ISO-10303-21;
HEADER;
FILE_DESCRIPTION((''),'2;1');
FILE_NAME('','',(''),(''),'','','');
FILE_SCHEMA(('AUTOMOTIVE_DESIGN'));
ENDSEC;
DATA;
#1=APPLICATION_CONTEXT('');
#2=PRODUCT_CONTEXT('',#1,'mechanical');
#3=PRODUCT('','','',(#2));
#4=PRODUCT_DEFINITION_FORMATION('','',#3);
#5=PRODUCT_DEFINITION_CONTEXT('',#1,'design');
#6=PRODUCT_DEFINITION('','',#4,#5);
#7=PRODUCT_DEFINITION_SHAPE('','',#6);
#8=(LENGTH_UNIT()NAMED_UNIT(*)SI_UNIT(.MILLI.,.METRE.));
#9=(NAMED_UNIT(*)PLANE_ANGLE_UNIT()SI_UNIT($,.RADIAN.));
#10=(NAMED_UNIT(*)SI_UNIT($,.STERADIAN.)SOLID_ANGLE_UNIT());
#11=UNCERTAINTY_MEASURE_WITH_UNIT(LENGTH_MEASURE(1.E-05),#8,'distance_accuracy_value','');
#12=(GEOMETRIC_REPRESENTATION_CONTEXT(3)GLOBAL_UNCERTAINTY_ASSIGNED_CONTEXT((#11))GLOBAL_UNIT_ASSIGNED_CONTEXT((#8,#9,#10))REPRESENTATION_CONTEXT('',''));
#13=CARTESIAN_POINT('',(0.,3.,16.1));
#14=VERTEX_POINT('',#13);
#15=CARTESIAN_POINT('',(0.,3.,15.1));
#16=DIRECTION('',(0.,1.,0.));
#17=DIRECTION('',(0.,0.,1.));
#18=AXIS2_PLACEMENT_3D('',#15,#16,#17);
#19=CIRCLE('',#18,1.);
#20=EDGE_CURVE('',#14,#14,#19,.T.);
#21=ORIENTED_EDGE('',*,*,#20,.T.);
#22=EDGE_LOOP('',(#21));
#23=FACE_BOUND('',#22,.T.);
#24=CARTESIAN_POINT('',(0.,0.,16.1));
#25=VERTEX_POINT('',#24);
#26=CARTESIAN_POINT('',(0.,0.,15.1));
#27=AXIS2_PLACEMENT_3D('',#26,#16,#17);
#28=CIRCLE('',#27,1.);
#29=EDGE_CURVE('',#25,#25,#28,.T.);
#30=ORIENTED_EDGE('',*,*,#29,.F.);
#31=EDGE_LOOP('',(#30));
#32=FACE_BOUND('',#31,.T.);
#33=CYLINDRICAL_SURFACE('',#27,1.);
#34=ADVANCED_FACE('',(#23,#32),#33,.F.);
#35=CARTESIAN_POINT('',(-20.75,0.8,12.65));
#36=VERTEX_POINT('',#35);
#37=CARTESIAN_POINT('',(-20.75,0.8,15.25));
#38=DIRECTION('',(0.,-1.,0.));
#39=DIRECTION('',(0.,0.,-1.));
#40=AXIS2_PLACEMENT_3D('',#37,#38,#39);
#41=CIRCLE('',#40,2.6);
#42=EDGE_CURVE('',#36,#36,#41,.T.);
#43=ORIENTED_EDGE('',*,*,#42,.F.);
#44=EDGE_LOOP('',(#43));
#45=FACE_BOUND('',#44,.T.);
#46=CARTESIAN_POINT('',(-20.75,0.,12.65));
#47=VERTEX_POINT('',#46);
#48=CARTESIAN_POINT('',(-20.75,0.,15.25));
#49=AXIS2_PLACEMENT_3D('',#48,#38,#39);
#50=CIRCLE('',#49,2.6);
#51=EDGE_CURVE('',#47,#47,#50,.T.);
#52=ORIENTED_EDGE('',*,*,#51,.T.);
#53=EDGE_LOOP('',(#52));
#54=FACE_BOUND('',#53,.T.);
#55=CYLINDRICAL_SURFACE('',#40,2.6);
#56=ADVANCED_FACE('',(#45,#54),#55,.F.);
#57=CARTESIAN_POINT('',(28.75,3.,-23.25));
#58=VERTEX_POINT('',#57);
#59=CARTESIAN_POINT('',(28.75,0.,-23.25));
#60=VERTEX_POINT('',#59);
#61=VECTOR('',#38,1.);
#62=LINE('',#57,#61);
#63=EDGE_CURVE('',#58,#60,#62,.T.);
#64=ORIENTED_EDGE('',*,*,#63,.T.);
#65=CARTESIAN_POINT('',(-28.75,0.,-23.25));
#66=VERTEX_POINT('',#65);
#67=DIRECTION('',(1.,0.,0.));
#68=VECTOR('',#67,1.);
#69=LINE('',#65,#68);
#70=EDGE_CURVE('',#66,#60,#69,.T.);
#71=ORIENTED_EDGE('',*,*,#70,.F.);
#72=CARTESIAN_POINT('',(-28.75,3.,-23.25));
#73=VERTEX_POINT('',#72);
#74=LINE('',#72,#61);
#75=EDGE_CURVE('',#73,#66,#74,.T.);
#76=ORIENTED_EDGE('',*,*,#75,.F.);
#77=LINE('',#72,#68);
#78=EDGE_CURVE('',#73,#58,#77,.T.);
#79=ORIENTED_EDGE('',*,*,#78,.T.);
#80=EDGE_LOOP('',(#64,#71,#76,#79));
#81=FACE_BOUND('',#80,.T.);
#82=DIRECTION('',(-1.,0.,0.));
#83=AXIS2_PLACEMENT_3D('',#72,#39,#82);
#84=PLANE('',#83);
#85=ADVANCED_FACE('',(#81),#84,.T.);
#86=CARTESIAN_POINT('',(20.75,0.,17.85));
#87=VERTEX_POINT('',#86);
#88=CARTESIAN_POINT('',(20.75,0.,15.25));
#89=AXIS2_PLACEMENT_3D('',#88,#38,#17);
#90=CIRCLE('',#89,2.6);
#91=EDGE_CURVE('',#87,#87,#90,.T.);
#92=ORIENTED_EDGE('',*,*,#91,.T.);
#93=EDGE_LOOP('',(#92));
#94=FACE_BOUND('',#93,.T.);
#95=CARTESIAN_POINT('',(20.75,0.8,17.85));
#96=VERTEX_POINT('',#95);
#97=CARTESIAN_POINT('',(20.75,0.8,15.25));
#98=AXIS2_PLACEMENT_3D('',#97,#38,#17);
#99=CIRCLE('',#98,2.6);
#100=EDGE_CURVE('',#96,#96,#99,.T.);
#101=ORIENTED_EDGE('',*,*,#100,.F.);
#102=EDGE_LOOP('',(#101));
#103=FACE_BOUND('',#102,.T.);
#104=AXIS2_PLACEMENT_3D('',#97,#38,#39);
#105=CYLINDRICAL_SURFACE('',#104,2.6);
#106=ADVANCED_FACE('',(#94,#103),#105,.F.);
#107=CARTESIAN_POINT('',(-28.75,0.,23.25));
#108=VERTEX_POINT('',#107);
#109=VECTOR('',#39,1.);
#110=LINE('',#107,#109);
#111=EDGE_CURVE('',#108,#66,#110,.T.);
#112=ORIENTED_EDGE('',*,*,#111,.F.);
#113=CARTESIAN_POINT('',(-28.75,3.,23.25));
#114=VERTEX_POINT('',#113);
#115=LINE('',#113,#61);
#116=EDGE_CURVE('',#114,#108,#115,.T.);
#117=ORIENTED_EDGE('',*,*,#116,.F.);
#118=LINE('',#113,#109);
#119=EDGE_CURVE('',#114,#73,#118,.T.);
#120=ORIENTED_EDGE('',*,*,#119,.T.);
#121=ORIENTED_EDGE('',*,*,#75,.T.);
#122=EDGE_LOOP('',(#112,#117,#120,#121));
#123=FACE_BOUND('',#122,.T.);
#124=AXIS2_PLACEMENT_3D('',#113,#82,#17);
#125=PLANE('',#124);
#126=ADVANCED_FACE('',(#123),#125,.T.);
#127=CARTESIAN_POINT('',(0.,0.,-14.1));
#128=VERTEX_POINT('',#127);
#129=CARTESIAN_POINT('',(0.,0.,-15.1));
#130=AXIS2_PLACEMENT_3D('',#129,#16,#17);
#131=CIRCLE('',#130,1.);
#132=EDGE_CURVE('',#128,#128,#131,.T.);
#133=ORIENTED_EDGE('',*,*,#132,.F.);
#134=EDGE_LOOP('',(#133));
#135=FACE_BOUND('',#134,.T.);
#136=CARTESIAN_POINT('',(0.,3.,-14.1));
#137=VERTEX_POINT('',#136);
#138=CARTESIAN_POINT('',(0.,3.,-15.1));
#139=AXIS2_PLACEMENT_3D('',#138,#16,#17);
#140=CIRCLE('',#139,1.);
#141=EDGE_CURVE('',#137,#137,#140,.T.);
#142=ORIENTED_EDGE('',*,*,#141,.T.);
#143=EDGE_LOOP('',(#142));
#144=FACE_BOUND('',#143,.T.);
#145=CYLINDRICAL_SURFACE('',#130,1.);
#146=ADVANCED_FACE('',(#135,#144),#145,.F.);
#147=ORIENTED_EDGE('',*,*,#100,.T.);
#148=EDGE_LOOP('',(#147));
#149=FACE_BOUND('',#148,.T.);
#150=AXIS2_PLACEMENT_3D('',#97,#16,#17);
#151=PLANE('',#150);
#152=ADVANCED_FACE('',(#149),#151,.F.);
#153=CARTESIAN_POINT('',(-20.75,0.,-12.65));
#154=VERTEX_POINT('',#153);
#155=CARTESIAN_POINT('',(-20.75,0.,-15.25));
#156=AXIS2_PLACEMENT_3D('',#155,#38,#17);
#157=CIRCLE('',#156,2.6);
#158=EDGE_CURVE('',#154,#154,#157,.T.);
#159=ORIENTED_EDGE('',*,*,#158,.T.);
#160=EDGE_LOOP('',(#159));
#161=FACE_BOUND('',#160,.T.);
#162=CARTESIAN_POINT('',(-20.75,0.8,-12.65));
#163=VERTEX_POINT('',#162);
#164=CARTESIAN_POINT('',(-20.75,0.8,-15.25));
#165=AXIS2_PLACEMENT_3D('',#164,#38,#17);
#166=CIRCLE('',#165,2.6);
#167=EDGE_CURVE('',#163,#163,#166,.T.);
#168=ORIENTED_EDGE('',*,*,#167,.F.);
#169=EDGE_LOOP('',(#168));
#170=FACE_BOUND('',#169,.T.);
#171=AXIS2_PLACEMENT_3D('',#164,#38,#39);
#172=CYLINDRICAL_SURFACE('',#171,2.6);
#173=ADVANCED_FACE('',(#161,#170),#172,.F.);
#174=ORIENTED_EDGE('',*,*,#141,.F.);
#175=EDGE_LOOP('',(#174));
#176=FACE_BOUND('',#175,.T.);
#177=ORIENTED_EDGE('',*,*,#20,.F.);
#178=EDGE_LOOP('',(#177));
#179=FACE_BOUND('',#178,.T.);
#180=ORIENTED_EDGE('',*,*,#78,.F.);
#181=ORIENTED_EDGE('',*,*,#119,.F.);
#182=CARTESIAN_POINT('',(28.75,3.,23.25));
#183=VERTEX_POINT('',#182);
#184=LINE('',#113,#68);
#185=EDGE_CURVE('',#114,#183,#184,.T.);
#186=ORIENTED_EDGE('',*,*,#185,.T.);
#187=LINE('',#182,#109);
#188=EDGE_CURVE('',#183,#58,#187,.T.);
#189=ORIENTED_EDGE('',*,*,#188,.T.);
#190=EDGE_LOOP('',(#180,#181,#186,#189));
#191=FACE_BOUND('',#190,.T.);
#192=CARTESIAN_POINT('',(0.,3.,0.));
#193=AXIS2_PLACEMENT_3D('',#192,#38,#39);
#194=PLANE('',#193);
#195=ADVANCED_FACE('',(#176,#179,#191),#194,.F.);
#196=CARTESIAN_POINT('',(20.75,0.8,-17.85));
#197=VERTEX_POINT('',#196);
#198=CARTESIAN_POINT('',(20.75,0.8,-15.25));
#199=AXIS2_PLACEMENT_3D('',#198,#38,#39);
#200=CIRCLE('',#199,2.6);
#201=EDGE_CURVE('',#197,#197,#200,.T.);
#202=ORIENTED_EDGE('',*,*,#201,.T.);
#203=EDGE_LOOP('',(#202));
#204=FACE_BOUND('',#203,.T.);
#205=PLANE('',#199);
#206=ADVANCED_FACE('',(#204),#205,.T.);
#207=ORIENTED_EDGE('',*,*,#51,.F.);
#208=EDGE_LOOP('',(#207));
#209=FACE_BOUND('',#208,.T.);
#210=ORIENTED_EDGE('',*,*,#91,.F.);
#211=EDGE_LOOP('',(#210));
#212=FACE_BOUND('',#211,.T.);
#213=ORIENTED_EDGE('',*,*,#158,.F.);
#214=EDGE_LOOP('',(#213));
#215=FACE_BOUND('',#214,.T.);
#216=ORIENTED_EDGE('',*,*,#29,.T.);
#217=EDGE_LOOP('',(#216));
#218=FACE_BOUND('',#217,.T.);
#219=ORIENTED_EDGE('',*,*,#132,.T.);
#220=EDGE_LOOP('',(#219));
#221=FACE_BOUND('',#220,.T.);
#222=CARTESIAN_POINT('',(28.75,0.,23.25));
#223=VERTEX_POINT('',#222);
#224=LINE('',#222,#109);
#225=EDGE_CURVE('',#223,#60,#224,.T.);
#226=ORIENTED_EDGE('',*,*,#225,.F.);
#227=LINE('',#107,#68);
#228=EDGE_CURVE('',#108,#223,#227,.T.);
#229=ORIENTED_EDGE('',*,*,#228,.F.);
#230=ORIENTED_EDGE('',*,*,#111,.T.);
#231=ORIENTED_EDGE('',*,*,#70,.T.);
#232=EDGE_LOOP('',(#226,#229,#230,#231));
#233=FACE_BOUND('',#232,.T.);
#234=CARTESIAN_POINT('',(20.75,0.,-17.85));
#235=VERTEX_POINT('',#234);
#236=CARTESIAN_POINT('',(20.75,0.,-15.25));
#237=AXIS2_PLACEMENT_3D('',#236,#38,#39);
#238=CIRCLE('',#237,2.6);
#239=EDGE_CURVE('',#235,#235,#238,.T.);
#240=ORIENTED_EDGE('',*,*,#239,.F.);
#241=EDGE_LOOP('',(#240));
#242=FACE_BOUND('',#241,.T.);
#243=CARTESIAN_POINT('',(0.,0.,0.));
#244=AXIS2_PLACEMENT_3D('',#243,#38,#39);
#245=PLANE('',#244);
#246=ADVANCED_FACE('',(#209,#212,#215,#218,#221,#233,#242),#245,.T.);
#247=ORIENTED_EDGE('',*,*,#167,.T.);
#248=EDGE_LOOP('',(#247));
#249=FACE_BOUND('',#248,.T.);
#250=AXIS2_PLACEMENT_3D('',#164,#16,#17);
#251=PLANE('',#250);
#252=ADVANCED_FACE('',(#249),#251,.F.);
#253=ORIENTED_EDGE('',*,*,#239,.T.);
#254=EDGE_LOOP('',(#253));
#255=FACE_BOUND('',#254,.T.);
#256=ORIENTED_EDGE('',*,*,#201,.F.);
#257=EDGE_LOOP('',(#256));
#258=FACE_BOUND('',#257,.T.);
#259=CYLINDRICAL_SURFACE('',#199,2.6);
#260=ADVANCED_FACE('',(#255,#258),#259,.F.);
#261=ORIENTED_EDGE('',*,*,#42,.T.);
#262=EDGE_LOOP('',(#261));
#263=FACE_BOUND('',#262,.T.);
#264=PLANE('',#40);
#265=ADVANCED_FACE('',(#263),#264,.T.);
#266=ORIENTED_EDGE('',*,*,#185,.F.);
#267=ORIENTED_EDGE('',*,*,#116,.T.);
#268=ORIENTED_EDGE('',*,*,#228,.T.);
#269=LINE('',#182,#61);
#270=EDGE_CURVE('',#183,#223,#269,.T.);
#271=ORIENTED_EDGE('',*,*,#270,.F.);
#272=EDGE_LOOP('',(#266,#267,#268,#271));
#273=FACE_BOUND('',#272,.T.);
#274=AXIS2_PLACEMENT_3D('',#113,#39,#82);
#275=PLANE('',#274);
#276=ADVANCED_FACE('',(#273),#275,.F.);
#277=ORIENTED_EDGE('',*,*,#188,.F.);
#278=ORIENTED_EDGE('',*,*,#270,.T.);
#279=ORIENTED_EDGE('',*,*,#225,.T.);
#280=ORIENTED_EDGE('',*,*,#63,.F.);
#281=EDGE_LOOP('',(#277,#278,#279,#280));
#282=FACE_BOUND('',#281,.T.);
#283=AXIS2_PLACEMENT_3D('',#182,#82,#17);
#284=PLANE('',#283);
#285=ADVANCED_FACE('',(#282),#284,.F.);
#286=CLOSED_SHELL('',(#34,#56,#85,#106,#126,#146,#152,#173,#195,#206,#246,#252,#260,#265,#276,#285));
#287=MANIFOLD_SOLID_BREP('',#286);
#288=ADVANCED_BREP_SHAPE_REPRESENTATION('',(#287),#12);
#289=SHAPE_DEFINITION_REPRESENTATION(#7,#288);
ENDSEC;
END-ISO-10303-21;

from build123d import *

# Parameters (mm, degrees)
SKETCH_1_W          = 57.5
SKETCH_1_H          = 46.5
EXTRUDE_1_DEPTH     = 3
SKETCH_2_R          = 1
CUT_EXTRUDE_1_DEPTH = 38.096158831
SKETCH_4_R          = 2.6
CUT_EXTRUDE_2_DEPTH = 0.8


with BuildPart() as part:
    # 草图1 → 凸台-拉伸1 (new body)
    with BuildSketch(Plane(origin=(0, 0, 0), x_dir=(1, 0, 0), z_dir=(0, 1, 0))):
        Rectangle(SKETCH_1_W, SKETCH_1_H)
    extrude(amount=EXTRUDE_1_DEPTH)

    # 草图2 → 切除-拉伸1 (cut, through all)
    with BuildSketch(Plane(origin=(0, 3, 0), x_dir=(1, 0, 0), z_dir=(0, 1, 0))):
        with Locations(Location((0, -15.1, 0), (0, 0, 270))):
            Circle(SKETCH_2_R)
        with Locations(Location((0, 15.1, 0), (0, 0, 270))):
            Circle(SKETCH_2_R)
    extrude(amount=-CUT_EXTRUDE_1_DEPTH, mode=Mode.SUBTRACT)

    # 草图4 → 切除-拉伸2 (cut)
    with BuildSketch(Plane.XZ):
        with Locations(Location((-20.75, 15.25, 0), (0, 0, 270))):
            Circle(SKETCH_4_R)
        with Locations(Location((20.75, 15.25, 0), (0, 0, 90))):
            Circle(SKETCH_4_R)
        with Locations(Location((-20.75, -15.25, 0), (0, 0, 90))):
            Circle(SKETCH_4_R)
        with Locations(Location((20.75, -15.25, 0), (0, 0, 270))):
            Circle(SKETCH_4_R)
    extrude(amount=-CUT_EXTRUDE_2_DEPTH, mode=Mode.SUBTRACT)


solid = part.part
